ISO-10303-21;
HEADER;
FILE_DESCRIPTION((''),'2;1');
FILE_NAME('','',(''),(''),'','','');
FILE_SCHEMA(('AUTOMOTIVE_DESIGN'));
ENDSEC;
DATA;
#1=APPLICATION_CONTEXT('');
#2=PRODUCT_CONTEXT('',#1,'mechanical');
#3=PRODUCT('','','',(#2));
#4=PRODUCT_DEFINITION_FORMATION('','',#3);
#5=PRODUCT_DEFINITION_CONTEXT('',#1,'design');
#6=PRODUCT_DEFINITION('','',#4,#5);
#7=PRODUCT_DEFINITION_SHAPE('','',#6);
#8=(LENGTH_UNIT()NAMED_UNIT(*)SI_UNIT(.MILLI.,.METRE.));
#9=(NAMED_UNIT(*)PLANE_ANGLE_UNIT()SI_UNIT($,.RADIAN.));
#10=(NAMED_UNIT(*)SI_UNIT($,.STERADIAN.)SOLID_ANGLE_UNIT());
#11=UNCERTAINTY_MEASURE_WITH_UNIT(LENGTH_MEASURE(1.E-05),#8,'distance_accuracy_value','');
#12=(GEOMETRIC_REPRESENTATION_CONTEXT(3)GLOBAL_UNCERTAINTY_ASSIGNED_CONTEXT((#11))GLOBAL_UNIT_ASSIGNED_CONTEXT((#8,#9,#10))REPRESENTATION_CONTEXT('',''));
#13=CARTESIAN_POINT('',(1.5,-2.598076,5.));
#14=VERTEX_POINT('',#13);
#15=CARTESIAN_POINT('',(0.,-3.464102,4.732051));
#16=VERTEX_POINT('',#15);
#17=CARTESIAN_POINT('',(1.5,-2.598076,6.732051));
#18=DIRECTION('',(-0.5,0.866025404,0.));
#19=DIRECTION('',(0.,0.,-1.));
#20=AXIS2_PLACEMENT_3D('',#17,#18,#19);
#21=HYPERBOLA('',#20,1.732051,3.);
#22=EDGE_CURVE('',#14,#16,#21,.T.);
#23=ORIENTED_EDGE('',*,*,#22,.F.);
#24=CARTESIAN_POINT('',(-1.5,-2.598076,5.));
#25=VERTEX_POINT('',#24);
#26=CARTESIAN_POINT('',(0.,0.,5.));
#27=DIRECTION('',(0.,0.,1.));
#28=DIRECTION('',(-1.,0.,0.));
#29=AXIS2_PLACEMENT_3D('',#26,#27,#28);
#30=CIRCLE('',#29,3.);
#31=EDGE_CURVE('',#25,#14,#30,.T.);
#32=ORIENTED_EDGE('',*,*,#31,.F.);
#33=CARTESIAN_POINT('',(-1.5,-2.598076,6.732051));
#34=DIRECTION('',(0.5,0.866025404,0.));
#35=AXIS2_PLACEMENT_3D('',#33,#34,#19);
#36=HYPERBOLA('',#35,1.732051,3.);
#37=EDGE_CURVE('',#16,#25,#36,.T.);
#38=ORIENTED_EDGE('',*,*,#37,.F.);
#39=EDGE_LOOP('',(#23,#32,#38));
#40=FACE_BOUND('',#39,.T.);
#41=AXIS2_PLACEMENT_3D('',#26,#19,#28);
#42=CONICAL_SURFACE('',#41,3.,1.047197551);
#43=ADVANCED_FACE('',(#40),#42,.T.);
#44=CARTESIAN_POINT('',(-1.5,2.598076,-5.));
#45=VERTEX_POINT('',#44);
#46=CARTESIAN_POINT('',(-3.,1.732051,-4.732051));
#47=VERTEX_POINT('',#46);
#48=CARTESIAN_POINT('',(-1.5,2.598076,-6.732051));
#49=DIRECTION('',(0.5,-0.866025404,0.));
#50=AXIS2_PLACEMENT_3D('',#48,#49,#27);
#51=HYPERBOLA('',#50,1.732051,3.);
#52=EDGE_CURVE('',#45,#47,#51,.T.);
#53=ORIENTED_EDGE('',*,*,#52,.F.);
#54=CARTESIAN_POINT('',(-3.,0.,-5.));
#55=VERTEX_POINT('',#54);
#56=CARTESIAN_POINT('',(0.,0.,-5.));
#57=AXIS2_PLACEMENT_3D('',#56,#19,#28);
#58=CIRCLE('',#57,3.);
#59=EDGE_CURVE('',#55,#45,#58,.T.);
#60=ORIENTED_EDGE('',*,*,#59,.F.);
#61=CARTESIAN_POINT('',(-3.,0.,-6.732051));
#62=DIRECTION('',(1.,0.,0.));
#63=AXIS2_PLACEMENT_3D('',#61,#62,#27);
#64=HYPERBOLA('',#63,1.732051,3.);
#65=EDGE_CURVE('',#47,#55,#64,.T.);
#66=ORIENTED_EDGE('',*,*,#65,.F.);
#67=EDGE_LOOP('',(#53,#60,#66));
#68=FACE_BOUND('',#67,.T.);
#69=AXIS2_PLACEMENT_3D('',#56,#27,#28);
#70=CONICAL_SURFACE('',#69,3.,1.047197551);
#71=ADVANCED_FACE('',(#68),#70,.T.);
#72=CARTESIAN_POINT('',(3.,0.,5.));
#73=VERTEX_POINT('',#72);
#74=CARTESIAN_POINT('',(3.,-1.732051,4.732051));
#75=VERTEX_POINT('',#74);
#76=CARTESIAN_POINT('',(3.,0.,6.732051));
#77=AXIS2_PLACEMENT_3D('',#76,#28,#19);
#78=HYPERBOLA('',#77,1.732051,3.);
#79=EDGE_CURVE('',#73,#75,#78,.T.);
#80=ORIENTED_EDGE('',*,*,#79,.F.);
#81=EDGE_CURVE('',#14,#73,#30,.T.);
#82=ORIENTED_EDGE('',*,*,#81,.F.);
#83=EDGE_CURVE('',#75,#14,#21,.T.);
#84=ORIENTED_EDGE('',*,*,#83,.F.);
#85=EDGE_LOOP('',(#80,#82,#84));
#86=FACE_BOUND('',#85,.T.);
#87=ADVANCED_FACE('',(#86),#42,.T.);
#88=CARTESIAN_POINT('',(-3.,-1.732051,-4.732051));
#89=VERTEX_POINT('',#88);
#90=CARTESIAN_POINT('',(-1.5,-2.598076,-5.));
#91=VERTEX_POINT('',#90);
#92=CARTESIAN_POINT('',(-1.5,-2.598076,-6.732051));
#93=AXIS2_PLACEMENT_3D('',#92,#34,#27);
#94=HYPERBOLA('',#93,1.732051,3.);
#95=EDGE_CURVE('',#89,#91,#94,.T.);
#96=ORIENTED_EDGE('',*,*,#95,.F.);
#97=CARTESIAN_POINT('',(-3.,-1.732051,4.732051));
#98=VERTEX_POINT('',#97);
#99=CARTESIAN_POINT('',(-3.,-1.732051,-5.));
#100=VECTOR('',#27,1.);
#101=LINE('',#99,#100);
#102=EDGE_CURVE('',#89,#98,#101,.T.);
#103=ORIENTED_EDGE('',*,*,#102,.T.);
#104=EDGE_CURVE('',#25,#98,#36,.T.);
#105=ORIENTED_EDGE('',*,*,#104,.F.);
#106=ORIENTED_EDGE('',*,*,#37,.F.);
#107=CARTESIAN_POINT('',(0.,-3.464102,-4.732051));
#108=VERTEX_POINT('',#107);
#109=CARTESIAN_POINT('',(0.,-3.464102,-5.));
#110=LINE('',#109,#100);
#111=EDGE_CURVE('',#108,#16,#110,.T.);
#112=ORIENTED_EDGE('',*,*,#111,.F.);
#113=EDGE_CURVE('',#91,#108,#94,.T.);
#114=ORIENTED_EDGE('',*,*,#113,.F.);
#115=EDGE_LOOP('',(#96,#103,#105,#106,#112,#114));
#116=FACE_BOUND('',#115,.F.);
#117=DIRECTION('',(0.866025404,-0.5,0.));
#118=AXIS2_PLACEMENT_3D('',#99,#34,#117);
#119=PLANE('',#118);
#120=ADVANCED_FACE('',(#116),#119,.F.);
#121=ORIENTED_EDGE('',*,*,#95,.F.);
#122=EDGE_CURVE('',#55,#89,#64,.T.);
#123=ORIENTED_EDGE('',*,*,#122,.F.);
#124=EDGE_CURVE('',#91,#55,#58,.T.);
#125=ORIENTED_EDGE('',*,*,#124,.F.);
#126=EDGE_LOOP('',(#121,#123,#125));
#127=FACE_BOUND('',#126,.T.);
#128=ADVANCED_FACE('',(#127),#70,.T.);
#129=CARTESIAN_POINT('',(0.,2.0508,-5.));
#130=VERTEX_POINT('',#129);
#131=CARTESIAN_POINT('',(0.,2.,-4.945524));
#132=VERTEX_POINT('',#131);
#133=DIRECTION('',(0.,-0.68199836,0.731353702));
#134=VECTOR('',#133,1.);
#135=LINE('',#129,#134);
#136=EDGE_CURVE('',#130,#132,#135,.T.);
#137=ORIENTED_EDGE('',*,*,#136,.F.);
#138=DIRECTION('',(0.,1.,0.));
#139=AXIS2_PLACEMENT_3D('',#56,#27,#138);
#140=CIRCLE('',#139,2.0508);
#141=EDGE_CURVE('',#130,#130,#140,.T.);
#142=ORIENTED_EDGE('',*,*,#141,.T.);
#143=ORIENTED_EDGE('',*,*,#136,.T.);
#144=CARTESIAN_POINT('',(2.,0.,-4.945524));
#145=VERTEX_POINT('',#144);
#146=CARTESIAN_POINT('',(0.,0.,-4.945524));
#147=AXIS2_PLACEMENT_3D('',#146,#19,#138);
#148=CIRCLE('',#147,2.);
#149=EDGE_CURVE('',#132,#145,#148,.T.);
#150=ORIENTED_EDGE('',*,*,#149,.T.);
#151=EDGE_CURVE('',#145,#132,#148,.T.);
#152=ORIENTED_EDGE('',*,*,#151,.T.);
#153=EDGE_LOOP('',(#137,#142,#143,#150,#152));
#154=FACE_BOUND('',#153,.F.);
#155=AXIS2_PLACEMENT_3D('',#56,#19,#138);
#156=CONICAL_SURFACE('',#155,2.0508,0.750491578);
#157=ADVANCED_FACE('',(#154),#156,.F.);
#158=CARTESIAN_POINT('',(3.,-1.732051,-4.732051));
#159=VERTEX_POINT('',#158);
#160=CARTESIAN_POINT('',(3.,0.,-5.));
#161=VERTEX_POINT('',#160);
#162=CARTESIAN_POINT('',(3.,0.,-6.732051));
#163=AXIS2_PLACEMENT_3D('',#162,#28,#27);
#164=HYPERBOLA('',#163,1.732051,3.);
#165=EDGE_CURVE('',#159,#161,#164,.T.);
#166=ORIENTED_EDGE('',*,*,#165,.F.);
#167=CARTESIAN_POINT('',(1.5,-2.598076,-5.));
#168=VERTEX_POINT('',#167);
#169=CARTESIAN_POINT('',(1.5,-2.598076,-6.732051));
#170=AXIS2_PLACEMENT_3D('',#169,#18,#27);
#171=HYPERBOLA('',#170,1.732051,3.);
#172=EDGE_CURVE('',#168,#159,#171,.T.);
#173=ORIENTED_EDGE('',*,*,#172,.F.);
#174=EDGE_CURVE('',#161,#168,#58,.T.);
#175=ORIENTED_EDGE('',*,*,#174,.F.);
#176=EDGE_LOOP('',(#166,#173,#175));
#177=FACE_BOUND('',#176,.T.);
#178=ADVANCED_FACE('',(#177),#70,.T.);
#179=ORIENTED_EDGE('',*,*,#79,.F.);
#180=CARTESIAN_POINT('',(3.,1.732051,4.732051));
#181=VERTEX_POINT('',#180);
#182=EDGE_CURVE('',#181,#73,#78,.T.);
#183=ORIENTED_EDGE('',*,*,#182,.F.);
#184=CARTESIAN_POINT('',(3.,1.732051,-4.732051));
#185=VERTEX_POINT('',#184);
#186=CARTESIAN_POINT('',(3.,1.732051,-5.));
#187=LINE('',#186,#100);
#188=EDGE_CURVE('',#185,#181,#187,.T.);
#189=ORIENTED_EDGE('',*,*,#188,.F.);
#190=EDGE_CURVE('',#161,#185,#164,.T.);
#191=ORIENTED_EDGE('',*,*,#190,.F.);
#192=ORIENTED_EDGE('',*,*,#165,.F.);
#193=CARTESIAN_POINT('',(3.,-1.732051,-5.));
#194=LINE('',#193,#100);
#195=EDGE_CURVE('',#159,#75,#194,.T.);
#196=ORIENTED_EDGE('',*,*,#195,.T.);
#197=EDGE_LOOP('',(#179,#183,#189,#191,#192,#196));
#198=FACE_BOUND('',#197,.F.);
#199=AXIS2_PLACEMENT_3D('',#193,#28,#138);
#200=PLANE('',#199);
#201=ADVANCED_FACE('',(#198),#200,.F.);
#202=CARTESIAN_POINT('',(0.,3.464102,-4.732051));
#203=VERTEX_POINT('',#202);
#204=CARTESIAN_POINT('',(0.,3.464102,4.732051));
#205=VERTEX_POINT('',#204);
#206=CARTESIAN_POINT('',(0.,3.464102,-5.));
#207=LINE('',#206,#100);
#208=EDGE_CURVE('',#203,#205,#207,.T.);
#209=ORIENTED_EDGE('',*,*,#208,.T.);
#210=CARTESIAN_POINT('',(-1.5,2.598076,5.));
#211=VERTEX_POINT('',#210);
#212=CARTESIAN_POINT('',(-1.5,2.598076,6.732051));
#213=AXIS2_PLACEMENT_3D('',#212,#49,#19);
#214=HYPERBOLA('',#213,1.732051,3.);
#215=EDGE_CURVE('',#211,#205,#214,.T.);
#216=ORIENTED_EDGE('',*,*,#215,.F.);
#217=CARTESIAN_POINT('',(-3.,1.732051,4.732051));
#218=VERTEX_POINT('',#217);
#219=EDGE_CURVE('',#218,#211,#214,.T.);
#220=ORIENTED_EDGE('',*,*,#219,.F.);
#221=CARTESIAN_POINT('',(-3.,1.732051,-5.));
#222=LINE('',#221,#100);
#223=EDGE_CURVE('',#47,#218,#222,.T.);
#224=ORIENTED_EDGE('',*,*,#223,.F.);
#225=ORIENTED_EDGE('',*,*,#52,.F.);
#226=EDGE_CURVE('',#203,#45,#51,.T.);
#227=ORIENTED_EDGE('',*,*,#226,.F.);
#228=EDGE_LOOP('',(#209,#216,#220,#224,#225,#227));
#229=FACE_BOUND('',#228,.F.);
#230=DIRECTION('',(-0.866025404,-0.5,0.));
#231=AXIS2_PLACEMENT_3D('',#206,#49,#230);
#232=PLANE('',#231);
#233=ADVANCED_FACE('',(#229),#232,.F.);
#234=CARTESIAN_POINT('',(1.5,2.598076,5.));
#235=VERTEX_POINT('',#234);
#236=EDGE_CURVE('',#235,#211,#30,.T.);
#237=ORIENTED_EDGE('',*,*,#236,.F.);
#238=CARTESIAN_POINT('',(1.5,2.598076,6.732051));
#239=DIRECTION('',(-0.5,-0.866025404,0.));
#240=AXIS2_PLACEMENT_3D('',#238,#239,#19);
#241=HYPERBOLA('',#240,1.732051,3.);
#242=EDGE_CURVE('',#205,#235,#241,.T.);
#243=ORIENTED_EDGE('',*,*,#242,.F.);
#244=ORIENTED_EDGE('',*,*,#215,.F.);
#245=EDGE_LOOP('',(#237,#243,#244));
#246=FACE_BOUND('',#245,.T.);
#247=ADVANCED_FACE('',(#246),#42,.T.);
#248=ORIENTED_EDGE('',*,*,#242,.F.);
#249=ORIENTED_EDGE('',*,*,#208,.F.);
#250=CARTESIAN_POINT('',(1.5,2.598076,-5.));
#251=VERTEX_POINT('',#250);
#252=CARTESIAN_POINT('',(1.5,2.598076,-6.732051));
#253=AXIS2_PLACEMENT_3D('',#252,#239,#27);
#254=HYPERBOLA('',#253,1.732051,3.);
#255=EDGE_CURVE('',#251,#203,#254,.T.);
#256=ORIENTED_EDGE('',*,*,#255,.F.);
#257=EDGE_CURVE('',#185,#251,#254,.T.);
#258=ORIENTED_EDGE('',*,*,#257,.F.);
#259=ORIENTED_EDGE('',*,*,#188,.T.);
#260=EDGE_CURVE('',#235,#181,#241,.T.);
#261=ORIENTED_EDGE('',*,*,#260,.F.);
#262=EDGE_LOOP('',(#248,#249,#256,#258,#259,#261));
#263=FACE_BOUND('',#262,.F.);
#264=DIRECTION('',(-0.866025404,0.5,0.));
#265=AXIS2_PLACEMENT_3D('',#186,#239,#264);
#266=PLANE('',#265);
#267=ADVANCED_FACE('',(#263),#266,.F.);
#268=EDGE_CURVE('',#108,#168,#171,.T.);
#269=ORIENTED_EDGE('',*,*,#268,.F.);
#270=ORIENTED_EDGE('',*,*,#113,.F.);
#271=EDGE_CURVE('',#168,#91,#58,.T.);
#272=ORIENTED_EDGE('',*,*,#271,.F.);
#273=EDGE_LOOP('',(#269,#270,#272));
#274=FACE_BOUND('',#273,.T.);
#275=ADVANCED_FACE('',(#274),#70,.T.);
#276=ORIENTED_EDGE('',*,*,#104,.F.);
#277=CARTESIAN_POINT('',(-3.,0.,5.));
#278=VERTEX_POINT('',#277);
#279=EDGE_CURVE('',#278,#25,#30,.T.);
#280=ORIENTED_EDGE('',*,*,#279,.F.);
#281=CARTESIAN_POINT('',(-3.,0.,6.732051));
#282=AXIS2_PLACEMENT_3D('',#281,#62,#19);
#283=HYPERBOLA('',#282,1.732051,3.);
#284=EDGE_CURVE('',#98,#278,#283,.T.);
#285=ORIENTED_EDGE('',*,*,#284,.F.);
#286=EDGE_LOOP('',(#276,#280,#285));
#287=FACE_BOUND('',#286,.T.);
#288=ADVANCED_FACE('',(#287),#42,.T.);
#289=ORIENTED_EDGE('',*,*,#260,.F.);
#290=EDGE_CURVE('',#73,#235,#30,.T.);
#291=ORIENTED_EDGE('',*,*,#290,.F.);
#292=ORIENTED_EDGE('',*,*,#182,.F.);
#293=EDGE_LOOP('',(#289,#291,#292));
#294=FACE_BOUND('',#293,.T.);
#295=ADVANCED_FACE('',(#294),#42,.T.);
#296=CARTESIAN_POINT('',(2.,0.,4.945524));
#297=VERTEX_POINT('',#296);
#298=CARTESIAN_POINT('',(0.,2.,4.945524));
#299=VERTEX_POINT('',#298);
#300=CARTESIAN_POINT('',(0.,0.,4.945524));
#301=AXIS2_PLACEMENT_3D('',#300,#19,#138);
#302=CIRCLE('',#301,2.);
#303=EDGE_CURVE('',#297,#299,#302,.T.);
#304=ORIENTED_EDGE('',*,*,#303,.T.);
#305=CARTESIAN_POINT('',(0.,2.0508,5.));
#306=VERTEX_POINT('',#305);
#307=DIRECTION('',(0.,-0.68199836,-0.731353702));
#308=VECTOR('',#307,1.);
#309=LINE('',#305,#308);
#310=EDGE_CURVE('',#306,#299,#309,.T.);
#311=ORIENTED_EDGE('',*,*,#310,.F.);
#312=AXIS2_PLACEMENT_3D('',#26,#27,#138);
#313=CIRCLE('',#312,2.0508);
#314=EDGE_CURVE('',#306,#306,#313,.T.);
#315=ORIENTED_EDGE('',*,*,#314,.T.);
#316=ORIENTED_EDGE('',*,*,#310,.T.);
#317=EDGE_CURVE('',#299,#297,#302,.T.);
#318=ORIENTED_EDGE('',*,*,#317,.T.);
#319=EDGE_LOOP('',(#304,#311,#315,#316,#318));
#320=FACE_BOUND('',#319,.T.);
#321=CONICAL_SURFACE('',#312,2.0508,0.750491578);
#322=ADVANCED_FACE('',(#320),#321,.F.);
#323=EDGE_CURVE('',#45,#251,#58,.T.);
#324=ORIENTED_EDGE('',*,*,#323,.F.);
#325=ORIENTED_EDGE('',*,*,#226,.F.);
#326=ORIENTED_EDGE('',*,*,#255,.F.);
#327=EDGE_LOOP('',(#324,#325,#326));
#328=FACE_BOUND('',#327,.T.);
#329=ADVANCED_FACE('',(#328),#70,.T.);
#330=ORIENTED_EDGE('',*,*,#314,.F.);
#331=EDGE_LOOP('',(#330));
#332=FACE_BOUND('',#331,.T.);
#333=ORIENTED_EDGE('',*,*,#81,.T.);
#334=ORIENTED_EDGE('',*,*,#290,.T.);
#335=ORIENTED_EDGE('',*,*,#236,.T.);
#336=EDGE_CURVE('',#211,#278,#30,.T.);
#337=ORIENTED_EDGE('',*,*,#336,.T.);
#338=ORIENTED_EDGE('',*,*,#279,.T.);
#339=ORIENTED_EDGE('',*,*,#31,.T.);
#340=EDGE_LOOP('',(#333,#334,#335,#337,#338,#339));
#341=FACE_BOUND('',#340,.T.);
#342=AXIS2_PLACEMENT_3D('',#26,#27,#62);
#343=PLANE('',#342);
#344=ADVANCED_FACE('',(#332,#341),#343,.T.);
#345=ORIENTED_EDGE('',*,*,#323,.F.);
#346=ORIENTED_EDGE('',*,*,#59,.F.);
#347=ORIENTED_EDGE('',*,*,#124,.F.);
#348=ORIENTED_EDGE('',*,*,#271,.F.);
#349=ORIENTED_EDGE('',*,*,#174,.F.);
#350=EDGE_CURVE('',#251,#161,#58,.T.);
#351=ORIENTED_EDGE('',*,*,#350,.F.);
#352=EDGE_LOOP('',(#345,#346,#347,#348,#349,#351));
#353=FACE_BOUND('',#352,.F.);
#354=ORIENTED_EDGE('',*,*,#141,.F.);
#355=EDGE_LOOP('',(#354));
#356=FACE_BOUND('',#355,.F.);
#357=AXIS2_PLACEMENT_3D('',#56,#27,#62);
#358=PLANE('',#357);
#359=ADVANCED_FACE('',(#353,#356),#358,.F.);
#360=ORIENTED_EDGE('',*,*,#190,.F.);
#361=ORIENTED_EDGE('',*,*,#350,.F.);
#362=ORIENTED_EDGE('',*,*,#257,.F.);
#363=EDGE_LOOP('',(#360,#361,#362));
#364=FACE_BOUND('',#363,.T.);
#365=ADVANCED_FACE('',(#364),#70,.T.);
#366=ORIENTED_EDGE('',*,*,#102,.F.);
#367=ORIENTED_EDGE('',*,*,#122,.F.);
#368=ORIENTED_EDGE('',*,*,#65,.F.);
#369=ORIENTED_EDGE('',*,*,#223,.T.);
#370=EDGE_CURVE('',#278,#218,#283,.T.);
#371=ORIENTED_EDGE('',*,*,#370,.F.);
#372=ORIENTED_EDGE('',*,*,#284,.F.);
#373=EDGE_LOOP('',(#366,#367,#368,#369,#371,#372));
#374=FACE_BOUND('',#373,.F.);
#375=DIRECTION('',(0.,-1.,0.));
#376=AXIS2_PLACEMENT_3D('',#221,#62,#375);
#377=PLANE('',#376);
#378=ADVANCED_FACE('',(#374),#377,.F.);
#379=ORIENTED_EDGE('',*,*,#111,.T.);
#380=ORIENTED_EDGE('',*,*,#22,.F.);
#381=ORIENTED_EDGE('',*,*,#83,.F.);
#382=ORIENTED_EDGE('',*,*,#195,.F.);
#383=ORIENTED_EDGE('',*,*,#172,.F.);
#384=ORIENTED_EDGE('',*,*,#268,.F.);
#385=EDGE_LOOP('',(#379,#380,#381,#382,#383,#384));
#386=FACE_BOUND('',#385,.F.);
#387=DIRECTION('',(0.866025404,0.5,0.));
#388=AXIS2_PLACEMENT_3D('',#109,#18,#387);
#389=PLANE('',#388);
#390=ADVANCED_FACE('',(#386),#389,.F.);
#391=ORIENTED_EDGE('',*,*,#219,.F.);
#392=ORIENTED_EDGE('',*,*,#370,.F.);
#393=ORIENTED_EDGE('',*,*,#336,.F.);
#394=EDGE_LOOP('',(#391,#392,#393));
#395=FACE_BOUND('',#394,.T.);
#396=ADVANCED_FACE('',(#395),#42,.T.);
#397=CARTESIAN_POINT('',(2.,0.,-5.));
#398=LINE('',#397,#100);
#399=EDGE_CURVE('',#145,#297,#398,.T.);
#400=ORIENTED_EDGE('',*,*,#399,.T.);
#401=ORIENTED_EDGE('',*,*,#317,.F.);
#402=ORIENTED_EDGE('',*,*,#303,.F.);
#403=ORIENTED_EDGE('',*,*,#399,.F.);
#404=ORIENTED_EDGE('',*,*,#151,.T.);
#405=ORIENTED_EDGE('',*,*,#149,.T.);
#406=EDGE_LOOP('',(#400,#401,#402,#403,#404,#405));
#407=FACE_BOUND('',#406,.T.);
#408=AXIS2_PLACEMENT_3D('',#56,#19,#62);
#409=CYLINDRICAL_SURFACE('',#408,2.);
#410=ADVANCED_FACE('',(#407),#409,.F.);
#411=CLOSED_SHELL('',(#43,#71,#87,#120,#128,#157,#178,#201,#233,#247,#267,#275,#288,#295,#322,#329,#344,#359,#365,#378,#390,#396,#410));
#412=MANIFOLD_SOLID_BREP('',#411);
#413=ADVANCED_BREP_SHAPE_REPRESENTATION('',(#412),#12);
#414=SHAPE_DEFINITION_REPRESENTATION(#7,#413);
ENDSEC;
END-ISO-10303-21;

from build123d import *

# Parameters (mm, degrees)
EXTRUDE1_DEPTH          = 5
EXTRUDE1_DEPTH_BACK     = 5
SKETCH1_R               = 2
SKETCH8_OUTSIDE_W       = 52.282
SKETCH8_OUTSIDE_H       = 53.21
SKETCH8_OUTSIDE_R       = 3
EXTRUDE4_DEPTH          = 12
EXTRUDE4_DRAFT          = -60
MIRROR1_COPY_1_SKETCH_W = 52.282
MIRROR1_COPY_1_SKETCH_H = 53.21
MIRROR1_COPY_1_SKETCH_R = 3
MIRROR1_COPY_1_DEPTH    = 12
MIRROR1_COPY_1_DRAFT    = -60


with BuildPart() as part:
    # Sketch1 → Extrude1 (new, two sides: drawn at the far end of the back side and taken through both)
    with BuildSketch(Plane.XY.offset(-EXTRUDE1_DEPTH_BACK)):
        Polygon((0, 3.464101615), (-3, 1.732050808), (-3, -1.732050808), (0, -3.464101615), (3, -1.732050808), (3, 1.732050808), align=None)
        Circle(SKETCH1_R, mode=Mode.SUBTRACT)
    extrude(amount=EXTRUDE1_DEPTH + EXTRUDE1_DEPTH_BACK)

    # Extrude3 cone 1 section (through the dimple's axis) → Extrude3 (revolve, cut)
    with BuildSketch(Plane(origin=(0, 0, -5), x_dir=(0, 1, 0), z_dir=(1, 0, 0))):
        Polygon((0, 0), (2.0508, 0), (0, 2.199213751), align=None)
    extrude3 = revolve(axis=Axis((0, 0, -5), (0, 0, 1)), mode=Mode.SUBTRACT)


with BuildPart() as extrude4_tool:
    # Sketch8 outside → Extrude4 (with draft: the straight prism first)
    with BuildSketch(Plane(origin=(0, 0, -5), x_dir=(-1, 0, 0), z_dir=(0, 0, -1))):
        Rectangle(SKETCH8_OUTSIDE_W, SKETCH8_OUTSIDE_H)
        Circle(SKETCH8_OUTSIDE_R, mode=Mode.SUBTRACT)
    extrude(amount=-EXTRUDE4_DEPTH)
    # Extrude4: the draft: its side faces are tilted about the plane it starts from
    extrude4_sides = [extrude4_tool.faces().sort_by_distance(p)[0] for p in [
        (0, -26.605, 1),
        (-26.141, 0, 1),
        (0, 26.605, 1),
        (26.141, 0, 1),
        (3, 0, 1),
    ]]
    draft(extrude4_sides, Plane(origin=(0, 0, -5), x_dir=(-1, 0, 0), z_dir=(0, 0, -1)), EXTRUDE4_DRAFT)


with BuildPart() as part_1:
    add(part.part)

    # Extrude4: cut by extrude4_tool
    add(extrude4_tool.part, mode=Mode.SUBTRACT)

    # Mirror1: Extrude3 across plane
    add(extrude3.mirror(Plane.XY), mode=Mode.SUBTRACT)


with BuildPart() as mirror1_copy_1_tool:
    # Mirror1 copy 1 sketch → Mirror1 copy 1 (with draft: the straight prism first)
    with BuildSketch(Plane(origin=(0, 0, 5), x_dir=(-1, 0, 0), z_dir=(0, 0, 1))):
        Rectangle(MIRROR1_COPY_1_SKETCH_W, MIRROR1_COPY_1_SKETCH_H)
        Circle(MIRROR1_COPY_1_SKETCH_R, mode=Mode.SUBTRACT)
    extrude(amount=-MIRROR1_COPY_1_DEPTH)
    # Mirror1 copy 1: the draft: its side faces are tilted about the plane it starts from
    mirror1_copy_1_sides = [mirror1_copy_1_tool.faces().sort_by_distance(p)[0] for p in [
        (0, -26.605, -1),
        (-26.141, 0, -1),
        (0, 26.605, -1),
        (26.141, 0, -1),
        (3, 0, -1),
    ]]
    draft(mirror1_copy_1_sides, Plane(origin=(0, 0, 5), x_dir=(-1, 0, 0), z_dir=(0, 0, 1)), MIRROR1_COPY_1_DRAFT)


with BuildPart() as part_2:
    add(part_1.part)

    # Mirror1 copy 1: cut by mirror1_copy_1_tool
    add(mirror1_copy_1_tool.part, mode=Mode.SUBTRACT)


solid = part_2.part
